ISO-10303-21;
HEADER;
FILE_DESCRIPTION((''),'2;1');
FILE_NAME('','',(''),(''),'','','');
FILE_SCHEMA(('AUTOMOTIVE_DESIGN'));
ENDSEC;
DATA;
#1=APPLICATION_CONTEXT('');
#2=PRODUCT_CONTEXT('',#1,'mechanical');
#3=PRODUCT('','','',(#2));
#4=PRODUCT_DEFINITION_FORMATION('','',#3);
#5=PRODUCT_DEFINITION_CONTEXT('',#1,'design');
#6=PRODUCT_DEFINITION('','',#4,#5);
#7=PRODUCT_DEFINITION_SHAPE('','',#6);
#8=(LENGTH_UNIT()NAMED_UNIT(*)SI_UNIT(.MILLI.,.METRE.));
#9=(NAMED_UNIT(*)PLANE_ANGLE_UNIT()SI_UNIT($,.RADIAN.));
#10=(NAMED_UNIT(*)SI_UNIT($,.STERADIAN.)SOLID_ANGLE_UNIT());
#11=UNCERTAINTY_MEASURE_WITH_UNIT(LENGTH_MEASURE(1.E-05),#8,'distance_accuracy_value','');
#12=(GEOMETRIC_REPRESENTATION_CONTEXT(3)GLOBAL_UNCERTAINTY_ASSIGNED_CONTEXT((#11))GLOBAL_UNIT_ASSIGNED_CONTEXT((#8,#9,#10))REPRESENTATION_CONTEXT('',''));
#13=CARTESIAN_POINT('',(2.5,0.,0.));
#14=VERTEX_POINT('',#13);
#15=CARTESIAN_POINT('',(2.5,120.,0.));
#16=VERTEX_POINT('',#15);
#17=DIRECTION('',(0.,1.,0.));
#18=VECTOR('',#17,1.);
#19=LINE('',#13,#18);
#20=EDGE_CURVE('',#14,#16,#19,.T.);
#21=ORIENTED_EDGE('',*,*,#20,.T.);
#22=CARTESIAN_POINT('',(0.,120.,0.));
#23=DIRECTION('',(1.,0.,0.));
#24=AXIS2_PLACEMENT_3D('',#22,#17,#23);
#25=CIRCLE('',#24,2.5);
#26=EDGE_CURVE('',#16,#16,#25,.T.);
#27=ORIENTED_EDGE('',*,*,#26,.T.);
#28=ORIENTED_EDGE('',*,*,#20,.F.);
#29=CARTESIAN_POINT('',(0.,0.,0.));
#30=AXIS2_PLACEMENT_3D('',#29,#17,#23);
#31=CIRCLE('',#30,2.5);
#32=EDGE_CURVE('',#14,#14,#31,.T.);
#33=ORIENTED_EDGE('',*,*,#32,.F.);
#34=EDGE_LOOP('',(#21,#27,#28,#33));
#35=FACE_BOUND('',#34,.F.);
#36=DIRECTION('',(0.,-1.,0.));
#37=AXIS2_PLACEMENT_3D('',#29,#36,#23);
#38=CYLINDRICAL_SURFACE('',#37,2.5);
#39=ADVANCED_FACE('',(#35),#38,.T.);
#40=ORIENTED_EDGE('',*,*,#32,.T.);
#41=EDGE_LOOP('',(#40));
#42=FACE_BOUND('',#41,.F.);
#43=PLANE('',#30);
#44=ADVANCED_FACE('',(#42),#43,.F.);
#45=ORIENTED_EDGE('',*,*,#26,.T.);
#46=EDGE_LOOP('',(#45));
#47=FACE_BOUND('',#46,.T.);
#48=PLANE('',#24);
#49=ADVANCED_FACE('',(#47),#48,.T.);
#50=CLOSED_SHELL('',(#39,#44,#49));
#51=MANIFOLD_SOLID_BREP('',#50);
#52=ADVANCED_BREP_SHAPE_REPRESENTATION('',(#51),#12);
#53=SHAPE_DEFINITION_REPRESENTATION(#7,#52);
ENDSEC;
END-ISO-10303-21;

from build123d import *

# Parameters (mm, degrees)
SKETCH1_R           = 2.5
BOSS_EXTRUDE1_DEPTH = 120


with BuildPart() as part:
    # Sketch1 → Boss-Extrude1 (new body)
    with BuildSketch(Plane(origin=(0, 0, 0), x_dir=(1, 0, 0), z_dir=(0, 1, 0))):
        Circle(SKETCH1_R)
    extrude(amount=BOSS_EXTRUDE1_DEPTH)


solid = part.part
